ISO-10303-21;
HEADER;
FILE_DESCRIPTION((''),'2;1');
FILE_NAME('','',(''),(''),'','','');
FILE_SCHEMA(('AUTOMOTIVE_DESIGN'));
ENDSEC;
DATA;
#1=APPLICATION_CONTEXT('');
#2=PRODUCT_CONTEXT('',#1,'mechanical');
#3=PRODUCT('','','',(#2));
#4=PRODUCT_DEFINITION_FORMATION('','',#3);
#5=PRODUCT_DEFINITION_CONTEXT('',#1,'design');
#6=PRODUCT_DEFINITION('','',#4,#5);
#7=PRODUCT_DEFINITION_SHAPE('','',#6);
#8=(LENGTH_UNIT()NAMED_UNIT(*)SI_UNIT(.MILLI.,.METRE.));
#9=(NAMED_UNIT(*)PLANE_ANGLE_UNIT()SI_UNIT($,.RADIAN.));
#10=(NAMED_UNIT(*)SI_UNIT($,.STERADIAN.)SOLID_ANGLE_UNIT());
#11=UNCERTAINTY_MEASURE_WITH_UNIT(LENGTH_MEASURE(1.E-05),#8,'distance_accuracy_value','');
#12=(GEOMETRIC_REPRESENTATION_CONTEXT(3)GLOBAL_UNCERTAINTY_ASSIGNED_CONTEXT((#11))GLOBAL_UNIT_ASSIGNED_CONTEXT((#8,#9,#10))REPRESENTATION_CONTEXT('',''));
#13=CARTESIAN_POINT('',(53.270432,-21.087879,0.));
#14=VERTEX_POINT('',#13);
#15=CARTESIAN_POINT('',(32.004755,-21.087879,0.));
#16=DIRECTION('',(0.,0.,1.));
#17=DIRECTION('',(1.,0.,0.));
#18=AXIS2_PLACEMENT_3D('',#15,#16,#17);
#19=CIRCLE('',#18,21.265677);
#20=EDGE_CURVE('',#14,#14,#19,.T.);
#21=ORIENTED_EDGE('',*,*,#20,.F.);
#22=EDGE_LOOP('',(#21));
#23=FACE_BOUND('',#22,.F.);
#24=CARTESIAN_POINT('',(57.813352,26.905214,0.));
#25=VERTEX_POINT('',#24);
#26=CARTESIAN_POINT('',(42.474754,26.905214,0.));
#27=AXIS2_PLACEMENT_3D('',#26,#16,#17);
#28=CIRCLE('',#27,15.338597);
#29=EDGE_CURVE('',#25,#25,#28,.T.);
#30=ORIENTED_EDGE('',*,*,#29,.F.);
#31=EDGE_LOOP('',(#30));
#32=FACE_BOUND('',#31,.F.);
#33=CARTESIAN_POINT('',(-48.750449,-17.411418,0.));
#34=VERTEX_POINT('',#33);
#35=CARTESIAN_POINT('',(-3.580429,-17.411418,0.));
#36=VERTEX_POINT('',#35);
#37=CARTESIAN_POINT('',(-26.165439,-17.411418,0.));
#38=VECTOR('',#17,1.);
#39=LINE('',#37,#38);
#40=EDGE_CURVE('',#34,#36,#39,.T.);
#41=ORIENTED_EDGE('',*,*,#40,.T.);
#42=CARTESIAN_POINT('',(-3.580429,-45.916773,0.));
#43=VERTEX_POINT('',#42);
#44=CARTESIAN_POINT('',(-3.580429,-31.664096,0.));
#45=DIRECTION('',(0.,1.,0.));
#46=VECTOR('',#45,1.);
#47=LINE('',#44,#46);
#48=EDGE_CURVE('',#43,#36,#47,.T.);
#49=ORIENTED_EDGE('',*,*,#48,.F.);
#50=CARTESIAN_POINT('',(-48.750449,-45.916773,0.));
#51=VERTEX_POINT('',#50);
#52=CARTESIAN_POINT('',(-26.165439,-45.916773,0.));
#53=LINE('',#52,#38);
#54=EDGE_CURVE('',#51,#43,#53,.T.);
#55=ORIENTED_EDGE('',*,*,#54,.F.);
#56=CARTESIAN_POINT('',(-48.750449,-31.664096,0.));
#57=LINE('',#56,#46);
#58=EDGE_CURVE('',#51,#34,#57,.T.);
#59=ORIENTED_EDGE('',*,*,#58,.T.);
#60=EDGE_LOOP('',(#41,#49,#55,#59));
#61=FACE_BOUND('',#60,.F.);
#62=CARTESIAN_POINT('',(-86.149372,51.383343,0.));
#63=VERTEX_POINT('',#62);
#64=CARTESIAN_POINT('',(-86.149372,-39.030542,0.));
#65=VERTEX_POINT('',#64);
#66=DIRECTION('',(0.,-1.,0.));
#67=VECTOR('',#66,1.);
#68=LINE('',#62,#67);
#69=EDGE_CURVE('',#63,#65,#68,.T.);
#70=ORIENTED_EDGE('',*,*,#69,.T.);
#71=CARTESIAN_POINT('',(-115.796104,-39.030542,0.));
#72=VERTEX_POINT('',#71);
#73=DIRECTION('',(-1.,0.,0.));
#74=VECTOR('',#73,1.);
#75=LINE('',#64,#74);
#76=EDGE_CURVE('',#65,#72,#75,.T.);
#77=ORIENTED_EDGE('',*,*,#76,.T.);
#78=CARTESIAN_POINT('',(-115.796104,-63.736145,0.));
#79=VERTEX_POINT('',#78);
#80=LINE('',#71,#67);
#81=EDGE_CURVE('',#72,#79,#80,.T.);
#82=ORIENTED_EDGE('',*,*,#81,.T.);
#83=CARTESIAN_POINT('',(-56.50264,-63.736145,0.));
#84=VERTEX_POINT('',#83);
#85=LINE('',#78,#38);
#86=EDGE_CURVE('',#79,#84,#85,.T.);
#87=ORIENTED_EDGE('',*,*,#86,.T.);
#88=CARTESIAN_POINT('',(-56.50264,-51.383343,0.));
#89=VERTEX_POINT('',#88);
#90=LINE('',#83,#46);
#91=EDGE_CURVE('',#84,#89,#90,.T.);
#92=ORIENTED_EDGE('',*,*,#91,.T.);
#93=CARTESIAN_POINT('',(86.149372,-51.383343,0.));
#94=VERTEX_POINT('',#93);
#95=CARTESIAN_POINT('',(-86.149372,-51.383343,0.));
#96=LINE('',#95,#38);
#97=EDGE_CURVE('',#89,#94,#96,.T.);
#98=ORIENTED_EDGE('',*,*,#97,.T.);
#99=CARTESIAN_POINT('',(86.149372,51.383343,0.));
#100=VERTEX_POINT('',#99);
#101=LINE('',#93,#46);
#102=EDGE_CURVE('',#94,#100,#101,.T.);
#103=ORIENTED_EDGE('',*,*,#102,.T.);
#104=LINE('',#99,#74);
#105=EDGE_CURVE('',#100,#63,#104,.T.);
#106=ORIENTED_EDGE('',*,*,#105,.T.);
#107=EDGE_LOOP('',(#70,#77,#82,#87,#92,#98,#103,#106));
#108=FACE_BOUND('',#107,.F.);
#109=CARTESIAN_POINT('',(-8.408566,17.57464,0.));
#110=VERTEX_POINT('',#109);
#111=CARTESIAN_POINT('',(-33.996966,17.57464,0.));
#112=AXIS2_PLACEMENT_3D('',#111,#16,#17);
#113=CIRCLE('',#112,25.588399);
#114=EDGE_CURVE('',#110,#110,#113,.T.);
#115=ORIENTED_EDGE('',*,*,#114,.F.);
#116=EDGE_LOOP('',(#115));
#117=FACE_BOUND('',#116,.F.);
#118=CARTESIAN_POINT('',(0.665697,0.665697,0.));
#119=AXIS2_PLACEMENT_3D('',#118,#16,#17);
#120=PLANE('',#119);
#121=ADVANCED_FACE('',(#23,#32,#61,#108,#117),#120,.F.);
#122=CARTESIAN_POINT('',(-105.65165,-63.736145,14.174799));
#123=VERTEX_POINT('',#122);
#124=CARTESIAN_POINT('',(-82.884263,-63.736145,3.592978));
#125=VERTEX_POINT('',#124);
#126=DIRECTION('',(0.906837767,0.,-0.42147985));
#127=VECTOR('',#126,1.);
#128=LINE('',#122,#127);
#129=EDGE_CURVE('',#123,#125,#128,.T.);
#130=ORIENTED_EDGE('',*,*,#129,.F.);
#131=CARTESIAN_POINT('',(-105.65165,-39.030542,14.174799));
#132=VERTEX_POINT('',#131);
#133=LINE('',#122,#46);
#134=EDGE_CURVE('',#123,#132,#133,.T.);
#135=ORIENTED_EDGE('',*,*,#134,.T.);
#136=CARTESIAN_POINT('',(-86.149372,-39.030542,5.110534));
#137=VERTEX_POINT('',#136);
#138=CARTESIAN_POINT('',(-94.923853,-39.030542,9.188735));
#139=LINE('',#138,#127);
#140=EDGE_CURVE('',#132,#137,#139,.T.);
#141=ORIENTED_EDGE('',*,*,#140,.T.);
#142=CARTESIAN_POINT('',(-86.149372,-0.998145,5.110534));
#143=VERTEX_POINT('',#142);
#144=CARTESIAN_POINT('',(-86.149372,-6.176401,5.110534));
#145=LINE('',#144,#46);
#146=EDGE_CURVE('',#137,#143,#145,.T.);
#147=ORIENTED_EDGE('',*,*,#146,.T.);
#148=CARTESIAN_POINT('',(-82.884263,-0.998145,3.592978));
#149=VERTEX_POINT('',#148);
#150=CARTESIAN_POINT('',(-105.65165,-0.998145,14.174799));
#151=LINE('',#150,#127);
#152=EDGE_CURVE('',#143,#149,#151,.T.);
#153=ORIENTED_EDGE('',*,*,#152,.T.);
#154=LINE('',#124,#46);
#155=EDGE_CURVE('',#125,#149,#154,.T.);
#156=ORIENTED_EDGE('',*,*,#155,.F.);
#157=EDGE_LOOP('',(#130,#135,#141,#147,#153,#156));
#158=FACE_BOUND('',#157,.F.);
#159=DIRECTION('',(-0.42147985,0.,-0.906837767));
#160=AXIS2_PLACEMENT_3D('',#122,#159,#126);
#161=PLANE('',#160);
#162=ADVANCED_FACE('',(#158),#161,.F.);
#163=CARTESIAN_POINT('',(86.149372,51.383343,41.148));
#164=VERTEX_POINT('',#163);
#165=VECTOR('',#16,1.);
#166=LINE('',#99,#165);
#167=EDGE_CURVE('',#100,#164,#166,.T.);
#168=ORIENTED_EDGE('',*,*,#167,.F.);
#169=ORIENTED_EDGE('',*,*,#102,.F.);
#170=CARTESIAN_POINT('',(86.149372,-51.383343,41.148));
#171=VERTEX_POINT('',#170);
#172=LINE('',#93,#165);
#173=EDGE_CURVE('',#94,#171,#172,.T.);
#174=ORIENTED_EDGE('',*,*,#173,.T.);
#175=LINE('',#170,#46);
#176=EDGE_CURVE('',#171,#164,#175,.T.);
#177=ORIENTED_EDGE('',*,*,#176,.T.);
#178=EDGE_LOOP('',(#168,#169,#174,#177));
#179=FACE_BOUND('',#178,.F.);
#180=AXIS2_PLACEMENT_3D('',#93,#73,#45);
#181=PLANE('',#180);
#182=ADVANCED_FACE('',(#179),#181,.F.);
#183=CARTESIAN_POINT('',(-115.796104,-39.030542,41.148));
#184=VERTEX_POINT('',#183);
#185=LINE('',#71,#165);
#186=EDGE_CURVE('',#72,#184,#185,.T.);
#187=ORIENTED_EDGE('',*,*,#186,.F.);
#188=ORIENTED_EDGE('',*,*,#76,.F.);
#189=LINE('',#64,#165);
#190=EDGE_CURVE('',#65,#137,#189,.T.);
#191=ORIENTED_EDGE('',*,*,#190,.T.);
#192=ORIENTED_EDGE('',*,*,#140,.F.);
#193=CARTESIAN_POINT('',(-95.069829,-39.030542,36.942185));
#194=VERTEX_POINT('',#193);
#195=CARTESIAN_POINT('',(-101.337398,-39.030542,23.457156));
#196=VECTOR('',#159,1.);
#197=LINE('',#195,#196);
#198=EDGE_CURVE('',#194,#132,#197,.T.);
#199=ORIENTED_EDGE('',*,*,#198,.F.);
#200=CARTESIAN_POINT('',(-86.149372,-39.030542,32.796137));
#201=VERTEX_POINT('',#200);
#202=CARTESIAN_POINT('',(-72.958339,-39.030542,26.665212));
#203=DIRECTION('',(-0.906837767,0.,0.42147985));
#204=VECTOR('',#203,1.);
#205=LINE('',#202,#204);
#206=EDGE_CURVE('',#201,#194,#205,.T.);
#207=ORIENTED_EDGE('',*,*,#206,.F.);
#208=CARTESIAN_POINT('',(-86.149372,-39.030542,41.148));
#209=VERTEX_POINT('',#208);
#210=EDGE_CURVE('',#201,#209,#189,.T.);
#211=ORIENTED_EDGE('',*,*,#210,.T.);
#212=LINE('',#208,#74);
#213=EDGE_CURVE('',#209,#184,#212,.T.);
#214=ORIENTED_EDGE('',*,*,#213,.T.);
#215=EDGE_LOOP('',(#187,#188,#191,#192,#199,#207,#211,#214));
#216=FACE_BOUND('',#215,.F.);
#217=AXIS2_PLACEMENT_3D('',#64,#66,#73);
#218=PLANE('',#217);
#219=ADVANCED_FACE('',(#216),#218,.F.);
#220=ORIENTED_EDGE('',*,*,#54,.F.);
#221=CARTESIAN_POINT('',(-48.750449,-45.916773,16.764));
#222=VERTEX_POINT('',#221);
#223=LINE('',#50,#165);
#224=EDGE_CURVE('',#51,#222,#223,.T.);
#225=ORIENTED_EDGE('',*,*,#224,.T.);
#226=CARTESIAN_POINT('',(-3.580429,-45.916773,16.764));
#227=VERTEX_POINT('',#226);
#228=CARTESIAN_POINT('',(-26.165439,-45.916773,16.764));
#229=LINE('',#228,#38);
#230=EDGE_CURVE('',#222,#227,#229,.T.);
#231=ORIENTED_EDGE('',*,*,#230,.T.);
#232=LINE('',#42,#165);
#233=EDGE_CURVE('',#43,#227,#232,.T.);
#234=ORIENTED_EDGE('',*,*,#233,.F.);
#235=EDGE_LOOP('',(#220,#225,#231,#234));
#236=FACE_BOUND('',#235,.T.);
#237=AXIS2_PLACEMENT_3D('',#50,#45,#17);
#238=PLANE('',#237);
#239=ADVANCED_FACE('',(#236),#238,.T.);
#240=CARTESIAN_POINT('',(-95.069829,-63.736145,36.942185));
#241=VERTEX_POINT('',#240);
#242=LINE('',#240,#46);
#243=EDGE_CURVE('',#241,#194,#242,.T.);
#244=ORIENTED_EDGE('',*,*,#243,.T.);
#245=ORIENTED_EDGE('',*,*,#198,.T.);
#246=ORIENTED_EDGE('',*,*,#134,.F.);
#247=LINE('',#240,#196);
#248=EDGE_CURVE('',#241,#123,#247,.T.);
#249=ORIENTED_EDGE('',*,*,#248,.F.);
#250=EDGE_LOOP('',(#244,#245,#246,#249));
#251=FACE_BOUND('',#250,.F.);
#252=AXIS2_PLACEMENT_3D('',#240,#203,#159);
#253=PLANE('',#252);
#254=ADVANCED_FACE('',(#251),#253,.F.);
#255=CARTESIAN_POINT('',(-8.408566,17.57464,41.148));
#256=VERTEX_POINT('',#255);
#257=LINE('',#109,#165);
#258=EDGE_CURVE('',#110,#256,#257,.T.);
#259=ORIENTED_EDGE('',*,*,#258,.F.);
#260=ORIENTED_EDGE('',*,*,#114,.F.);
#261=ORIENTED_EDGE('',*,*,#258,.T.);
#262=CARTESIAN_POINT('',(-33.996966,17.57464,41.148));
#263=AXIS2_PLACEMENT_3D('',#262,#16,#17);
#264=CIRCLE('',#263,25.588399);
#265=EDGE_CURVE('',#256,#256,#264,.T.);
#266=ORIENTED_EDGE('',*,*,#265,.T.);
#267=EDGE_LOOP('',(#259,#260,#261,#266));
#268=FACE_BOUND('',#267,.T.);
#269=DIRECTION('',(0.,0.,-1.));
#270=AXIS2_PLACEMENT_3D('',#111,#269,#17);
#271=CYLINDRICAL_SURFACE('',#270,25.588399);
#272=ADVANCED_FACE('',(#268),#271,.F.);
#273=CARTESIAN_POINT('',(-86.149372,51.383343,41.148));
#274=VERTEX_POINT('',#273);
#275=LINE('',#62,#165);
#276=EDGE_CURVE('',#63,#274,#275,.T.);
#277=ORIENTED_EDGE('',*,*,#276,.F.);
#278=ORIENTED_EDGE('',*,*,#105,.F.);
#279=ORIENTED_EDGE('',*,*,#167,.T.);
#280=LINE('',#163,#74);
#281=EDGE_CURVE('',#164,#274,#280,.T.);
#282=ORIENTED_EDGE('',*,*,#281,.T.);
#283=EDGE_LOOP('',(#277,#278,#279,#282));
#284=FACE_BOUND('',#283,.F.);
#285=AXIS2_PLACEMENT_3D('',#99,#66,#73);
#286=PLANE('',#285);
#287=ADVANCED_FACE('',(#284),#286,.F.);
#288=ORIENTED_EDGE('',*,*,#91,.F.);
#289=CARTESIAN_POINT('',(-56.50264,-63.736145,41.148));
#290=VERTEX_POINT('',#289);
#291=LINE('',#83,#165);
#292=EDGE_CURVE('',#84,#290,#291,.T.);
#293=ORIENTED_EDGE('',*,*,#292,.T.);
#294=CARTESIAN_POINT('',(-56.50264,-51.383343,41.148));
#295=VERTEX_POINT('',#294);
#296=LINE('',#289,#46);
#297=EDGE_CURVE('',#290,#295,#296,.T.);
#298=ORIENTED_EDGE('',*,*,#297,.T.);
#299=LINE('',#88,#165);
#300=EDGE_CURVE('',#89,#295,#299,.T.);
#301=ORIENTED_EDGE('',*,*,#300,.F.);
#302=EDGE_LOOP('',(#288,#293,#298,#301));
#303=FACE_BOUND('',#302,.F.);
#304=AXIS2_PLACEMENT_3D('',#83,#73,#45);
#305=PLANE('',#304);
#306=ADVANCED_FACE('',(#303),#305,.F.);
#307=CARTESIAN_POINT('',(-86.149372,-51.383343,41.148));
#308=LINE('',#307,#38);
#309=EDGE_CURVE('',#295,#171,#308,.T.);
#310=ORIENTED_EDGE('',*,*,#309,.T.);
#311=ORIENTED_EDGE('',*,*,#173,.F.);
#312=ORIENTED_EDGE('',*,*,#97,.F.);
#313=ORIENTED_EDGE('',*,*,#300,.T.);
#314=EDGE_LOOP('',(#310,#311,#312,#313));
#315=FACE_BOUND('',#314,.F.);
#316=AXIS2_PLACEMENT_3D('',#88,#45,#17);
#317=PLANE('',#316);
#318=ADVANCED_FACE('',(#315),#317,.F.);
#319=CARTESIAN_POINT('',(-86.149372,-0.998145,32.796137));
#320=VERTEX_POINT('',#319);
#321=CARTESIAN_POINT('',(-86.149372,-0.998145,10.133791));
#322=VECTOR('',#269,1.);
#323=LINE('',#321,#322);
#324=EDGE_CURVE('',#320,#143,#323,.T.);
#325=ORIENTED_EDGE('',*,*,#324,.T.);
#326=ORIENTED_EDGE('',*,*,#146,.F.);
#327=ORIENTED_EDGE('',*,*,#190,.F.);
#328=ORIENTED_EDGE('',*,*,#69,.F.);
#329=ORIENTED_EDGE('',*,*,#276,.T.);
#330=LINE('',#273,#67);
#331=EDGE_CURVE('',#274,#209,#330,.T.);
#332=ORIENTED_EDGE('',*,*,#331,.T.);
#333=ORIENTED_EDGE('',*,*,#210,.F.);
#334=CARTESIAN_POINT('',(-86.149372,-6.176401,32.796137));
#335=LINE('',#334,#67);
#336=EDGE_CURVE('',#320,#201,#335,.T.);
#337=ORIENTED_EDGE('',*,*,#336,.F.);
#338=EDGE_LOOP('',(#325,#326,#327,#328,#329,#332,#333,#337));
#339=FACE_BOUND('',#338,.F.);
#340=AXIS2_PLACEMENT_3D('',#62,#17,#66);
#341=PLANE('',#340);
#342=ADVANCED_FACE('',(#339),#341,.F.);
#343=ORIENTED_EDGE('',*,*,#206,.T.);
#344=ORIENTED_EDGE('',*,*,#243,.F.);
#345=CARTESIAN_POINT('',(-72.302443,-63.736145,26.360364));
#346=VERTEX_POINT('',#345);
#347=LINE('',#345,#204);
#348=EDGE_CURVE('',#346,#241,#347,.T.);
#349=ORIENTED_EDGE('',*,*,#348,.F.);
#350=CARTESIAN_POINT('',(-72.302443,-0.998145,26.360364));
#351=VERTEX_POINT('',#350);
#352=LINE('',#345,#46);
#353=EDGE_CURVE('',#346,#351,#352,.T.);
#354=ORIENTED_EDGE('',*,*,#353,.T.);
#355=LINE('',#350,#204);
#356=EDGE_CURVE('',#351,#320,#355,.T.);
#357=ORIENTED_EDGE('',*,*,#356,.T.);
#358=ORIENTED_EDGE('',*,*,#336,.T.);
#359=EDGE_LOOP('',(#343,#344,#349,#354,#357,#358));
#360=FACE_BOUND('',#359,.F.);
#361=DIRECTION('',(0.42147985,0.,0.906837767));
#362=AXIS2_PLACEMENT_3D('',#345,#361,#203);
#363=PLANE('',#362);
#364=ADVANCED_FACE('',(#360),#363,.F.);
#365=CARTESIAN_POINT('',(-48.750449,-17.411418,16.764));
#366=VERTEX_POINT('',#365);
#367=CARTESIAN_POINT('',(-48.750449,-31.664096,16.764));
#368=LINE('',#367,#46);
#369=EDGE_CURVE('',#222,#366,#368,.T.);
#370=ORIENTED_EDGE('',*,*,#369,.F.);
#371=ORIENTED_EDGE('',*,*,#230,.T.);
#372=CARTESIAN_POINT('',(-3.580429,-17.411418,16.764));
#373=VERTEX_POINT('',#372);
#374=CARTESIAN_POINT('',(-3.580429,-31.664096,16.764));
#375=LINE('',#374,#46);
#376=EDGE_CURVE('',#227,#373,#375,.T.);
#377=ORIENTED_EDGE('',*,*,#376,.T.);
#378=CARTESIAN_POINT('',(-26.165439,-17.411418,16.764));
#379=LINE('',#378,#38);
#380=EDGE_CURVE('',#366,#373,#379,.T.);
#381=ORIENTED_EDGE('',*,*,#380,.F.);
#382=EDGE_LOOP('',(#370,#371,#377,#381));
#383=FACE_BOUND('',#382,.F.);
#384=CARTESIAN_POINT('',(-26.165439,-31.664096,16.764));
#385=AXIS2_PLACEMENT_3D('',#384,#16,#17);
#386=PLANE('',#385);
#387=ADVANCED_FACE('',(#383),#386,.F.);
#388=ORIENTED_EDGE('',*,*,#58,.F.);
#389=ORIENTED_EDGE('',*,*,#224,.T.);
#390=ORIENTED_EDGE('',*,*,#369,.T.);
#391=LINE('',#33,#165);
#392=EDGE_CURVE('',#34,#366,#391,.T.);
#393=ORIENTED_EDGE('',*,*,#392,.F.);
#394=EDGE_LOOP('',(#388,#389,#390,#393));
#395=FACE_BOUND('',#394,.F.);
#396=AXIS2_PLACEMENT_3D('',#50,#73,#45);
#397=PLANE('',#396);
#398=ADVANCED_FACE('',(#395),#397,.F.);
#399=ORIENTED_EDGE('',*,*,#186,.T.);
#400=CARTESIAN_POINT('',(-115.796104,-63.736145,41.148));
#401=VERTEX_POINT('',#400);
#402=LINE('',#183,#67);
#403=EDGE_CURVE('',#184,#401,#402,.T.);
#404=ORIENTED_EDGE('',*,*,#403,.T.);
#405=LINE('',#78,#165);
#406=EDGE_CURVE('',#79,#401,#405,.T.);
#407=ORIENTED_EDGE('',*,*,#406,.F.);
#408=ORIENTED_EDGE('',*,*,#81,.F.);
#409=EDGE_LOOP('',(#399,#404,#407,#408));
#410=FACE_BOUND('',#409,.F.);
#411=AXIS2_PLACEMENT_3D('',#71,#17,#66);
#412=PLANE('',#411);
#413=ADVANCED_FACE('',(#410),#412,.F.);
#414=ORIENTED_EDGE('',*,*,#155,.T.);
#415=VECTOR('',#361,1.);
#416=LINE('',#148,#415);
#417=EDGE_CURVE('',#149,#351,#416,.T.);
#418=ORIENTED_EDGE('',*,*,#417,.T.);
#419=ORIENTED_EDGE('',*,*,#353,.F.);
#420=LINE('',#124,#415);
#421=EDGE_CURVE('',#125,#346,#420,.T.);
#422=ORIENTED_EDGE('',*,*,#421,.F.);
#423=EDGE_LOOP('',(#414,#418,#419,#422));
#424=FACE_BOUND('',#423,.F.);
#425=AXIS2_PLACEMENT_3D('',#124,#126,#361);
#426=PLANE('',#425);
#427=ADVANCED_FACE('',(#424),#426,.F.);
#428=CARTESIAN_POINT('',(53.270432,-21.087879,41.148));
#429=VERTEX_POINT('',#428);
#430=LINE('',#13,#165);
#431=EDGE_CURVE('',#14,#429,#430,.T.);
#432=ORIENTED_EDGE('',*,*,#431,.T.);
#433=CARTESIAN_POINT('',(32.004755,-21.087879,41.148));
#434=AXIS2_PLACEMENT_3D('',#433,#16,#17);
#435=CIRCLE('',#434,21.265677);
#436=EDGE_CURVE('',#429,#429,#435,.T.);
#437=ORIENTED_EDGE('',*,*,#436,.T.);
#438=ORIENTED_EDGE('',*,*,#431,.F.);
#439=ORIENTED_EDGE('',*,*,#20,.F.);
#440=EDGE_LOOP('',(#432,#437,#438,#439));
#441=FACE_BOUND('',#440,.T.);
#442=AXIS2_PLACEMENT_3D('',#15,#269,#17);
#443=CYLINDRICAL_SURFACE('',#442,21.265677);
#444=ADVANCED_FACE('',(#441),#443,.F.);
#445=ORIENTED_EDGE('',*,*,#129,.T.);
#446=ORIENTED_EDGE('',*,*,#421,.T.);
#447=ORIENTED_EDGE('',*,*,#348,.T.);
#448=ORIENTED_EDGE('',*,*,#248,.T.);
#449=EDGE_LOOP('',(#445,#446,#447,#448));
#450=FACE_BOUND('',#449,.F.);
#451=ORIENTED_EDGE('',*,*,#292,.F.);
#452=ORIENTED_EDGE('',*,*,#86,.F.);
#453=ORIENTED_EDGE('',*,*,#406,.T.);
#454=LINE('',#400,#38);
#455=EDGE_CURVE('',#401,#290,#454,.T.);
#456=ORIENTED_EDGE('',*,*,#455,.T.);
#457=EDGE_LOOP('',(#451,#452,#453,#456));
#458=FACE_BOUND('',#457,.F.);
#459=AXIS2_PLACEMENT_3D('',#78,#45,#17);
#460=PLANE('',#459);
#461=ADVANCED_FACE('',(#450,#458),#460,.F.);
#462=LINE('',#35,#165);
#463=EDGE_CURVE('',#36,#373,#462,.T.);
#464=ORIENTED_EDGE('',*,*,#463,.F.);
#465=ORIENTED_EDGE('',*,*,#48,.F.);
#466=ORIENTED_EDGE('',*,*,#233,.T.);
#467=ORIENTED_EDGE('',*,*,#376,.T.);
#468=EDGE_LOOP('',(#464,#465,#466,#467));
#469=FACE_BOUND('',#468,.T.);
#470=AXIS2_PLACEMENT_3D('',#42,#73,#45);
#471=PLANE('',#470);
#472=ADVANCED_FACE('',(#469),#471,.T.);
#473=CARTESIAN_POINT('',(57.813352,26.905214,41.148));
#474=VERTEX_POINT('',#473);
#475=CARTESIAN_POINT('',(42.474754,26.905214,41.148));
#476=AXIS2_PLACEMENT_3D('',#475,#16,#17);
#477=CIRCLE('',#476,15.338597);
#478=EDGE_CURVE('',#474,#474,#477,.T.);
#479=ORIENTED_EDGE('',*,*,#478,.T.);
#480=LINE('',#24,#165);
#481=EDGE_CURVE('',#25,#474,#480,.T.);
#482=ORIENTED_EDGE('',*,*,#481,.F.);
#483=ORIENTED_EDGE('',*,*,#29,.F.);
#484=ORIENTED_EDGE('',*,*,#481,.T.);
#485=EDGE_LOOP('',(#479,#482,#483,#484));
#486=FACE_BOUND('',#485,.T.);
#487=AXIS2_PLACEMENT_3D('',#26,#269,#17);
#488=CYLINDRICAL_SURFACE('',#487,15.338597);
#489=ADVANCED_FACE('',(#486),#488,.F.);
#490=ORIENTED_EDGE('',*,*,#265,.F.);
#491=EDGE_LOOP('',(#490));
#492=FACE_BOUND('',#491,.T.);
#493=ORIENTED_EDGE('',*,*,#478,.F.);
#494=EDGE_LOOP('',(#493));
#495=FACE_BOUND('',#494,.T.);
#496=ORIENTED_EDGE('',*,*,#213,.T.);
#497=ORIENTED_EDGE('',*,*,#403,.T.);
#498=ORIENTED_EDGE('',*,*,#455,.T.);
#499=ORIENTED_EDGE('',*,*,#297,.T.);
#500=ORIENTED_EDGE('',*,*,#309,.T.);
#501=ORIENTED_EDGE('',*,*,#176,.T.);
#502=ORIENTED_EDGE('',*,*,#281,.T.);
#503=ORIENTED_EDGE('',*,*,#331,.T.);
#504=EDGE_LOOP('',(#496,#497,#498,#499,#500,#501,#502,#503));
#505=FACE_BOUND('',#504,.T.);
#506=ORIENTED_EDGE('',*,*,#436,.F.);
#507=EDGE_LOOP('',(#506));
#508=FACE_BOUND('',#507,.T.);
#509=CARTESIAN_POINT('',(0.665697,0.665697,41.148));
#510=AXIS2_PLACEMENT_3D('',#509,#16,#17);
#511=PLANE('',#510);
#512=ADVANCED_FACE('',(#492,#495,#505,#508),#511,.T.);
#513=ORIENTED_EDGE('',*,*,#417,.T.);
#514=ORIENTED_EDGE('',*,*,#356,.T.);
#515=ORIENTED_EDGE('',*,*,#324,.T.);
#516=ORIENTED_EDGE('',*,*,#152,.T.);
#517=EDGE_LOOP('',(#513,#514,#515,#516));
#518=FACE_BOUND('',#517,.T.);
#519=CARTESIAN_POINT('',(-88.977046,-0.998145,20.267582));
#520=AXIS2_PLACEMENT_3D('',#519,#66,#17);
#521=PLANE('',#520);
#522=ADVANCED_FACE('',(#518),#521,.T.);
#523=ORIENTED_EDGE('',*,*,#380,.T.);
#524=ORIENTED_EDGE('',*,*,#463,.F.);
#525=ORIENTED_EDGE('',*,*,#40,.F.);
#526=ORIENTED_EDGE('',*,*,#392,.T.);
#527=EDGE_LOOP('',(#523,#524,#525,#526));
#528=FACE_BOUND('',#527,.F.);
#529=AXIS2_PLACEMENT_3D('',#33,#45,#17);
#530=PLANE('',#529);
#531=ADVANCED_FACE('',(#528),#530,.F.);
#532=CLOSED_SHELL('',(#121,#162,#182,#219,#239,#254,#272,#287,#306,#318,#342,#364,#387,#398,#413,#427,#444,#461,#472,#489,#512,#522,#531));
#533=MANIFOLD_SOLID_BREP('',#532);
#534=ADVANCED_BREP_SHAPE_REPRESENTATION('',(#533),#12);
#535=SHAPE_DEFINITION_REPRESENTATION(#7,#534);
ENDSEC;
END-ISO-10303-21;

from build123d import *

# Parameters (mm, degrees)
F0_R     = 21.2656768744
F0_R_2   = 25.5883994311
F0_R_3   = 15.3385974219
F0_W     = 29.6467319131
F0_H     = 12.3528018594
F1_DEPTH = 41.148
F3_DEPTH = 62.738
F4_W     = 45.1700200792
F4_H     = 28.5053551197
F5_DEPTH = 16.764


with BuildPart() as f1:
    # F0 (on Top) → F1 (new body)
    with BuildSketch(Plane.XY):
        Polygon((86.1493721604, -51.383343386), (86.1493721604, 51.383343386), (-86.1493721604, 51.383343386), (-86.1493721604, -39.0305415266), (-56.5026402473, -39.0305415266), (-56.5026402473, -51.383343386), align=None)
        with Locations((32.0047549903, -21.087879315)):
            Circle(F0_R, mode=Mode.SUBTRACT)
        with Locations((-33.9969657362, 17.5746399909)):
            Circle(F0_R_2, mode=Mode.SUBTRACT)
        with Locations((42.4747541547, 26.905214414)):
            Circle(F0_R_3, mode=Mode.SUBTRACT)
        with Locations((-71.3260062039, -45.2069424563)):
            Rectangle(F0_W, F0_H)
        Polygon((-86.1493721604, -51.383343386), (-86.1493721604, -39.0305415266), (-115.7961040735, -39.0305415266), (-115.7961040735, -63.7361452454), (-56.5026402473, -63.7361452454), (-56.5026402473, -51.383343386), align=None)
    extrude(amount=F1_DEPTH)

    # F2 (on face) → F3 (cut)
    with BuildSketch(Plane.XZ.offset(63.7361452454)):
        Polygon((-82.8842633783, 3.5929778848), (-72.3024426285, 26.3603644998), (-95.0698292435, 36.9421852496), (-105.6516499933, 14.1747986345), align=None)
    extrude(amount=-F3_DEPTH, mode=Mode.SUBTRACT)

    # F4 (on Top) → F5 (cut)
    with BuildSketch(Plane.XY):
        with Locations((-26.1654389324, -31.664095819)):
            Rectangle(F4_W, F4_H)
    extrude(amount=F5_DEPTH, mode=Mode.SUBTRACT)


solid = f1.part
